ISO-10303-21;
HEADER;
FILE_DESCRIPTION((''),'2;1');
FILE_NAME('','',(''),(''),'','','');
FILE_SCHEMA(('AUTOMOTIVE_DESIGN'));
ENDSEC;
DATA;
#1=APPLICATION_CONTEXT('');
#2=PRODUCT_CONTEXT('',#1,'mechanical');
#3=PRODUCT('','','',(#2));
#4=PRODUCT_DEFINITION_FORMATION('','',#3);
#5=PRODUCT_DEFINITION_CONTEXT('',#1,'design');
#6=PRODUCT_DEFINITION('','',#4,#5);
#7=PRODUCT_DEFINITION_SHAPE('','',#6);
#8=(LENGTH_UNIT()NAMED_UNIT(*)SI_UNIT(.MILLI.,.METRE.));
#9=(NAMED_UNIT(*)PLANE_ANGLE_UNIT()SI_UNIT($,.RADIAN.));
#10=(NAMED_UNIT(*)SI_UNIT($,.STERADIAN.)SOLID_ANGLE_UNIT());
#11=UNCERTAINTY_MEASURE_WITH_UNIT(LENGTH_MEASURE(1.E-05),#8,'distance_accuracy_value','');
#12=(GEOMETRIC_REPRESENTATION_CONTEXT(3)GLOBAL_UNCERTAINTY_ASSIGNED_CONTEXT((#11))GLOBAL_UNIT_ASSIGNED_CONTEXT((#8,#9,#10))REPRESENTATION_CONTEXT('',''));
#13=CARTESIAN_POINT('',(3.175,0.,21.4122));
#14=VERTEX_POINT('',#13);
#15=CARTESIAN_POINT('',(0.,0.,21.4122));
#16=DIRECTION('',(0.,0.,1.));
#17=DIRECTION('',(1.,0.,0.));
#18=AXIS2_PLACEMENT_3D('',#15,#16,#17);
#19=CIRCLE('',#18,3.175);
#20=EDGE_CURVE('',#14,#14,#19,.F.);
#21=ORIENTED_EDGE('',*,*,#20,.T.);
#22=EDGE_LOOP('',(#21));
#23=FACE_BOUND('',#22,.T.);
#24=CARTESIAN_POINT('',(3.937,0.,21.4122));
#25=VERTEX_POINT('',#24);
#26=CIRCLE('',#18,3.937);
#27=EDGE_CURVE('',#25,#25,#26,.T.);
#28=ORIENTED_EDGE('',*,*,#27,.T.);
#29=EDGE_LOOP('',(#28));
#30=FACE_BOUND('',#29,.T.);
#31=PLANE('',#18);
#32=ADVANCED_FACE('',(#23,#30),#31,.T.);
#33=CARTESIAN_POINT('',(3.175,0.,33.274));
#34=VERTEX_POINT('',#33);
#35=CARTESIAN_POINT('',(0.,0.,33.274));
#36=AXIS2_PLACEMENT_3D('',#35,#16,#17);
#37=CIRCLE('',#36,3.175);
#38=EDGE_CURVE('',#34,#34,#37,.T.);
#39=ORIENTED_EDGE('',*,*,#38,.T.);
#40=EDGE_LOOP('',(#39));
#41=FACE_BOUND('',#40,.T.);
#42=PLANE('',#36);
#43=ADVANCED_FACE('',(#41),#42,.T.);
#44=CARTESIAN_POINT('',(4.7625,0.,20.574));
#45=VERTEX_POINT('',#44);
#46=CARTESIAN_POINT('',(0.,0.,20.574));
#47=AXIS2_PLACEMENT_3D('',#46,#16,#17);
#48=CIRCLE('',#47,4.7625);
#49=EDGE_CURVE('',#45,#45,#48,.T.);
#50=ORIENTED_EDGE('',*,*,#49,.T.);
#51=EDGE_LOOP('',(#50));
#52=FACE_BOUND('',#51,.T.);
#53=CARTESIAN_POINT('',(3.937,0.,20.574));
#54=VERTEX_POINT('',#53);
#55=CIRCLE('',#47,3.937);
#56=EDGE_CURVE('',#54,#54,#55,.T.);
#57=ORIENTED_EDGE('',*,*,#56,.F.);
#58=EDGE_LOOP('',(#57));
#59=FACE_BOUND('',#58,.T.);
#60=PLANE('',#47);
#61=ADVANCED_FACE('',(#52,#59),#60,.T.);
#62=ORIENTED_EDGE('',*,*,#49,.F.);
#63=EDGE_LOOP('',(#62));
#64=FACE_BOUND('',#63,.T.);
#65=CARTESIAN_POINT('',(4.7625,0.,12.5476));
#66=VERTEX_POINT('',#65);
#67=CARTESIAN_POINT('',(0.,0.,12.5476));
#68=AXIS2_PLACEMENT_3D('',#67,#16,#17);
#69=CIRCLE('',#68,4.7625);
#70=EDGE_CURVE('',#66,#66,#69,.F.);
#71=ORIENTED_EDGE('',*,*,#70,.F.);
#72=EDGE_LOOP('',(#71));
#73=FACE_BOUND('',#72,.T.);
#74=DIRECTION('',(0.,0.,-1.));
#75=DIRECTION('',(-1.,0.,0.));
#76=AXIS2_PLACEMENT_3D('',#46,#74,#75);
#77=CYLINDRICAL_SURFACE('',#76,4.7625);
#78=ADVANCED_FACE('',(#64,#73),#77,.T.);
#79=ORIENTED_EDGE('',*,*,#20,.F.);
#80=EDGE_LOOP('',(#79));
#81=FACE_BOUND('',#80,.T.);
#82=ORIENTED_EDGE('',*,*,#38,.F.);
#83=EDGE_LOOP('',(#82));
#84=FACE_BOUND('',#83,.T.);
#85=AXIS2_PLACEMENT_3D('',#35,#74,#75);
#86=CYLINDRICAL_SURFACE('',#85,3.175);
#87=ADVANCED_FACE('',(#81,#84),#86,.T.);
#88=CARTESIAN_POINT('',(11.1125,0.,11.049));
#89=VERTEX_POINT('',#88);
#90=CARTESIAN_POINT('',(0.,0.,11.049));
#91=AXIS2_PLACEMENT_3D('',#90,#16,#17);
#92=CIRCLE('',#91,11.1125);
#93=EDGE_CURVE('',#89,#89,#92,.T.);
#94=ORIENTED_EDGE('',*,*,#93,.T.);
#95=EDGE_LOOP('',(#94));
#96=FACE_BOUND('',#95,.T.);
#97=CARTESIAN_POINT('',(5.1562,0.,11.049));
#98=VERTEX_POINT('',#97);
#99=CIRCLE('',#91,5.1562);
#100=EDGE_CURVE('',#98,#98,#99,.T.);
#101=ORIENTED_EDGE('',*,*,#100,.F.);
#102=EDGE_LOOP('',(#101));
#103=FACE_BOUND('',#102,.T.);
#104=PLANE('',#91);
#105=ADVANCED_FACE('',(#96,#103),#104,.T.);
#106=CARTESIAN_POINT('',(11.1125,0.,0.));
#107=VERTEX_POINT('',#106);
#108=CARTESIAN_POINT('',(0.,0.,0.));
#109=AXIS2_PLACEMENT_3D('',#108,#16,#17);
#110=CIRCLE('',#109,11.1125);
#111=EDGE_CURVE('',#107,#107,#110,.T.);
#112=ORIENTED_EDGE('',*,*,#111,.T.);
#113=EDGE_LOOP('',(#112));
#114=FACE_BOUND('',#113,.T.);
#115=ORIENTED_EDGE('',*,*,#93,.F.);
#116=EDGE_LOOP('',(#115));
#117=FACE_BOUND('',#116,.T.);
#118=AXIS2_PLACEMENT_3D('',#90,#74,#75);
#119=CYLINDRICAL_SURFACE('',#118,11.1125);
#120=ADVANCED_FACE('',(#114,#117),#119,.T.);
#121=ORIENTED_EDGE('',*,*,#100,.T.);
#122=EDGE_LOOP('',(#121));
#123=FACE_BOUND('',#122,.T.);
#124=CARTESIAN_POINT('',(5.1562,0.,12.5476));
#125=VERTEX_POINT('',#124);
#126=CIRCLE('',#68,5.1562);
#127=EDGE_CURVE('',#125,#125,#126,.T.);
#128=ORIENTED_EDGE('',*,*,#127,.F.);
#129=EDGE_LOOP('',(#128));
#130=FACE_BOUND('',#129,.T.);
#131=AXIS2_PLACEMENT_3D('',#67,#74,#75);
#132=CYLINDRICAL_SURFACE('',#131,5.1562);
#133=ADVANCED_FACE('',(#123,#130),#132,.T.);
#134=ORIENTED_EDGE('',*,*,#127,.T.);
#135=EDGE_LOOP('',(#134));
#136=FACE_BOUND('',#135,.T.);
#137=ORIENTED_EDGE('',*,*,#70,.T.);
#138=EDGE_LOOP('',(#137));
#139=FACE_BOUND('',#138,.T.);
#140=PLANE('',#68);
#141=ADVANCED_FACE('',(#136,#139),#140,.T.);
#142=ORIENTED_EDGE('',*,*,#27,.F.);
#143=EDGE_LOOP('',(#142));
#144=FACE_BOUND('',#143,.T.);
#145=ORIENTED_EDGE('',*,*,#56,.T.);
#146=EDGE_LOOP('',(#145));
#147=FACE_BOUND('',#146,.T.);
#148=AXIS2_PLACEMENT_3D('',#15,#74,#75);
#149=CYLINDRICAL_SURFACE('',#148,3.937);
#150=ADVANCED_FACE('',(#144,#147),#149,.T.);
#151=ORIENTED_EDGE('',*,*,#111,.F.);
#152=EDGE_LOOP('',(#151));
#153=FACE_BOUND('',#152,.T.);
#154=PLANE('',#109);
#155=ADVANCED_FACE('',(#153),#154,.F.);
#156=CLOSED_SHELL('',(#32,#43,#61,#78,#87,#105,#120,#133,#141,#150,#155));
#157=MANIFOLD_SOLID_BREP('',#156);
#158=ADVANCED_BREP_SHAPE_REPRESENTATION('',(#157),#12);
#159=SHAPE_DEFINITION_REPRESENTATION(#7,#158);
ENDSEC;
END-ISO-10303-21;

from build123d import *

# Parameters (mm, degrees)
SKETCH1_R           = 11.1125
BOSS_EXTRUDE1_DEPTH = 11.049
SKETCH2_R           = 5.1562
BOSS_EXTRUDE2_DEPTH = 1.4986
SKETCH3_R           = 4.7625
BOSS_EXTRUDE5_DEPTH = 9.525
SKETCH4_R           = 3.937
BOSS_EXTRUDE6_DEPTH = 0.8382
SKETCH5_R           = 3.175
BOSS_EXTRUDE7_DEPTH = 22.225


with BuildPart() as part:
    # Sketch1 → Boss-Extrude1 (new body)
    with BuildSketch(Plane.XY):
        Circle(SKETCH1_R)
    extrude(amount=BOSS_EXTRUDE1_DEPTH)

    # Sketch2 → Boss-Extrude2 (add)
    with BuildSketch(Plane.XY.offset(11.049)):
        Circle(SKETCH2_R)
    extrude(amount=BOSS_EXTRUDE2_DEPTH)

    # Sketch3 → Boss-Extrude5 (add)
    with BuildSketch(Plane.XY.offset(11.049)):
        Circle(SKETCH3_R)
    extrude(amount=BOSS_EXTRUDE5_DEPTH)

    # Sketch4 → Boss-Extrude6 (add)
    with BuildSketch(Plane.XY.offset(20.574)):
        Circle(SKETCH4_R)
    extrude(amount=BOSS_EXTRUDE6_DEPTH)

    # Sketch5 → Boss-Extrude7 (add)
    with BuildSketch(Plane.XY.offset(11.049)):
        Circle(SKETCH5_R)
    extrude(amount=BOSS_EXTRUDE7_DEPTH)


solid = part.part
